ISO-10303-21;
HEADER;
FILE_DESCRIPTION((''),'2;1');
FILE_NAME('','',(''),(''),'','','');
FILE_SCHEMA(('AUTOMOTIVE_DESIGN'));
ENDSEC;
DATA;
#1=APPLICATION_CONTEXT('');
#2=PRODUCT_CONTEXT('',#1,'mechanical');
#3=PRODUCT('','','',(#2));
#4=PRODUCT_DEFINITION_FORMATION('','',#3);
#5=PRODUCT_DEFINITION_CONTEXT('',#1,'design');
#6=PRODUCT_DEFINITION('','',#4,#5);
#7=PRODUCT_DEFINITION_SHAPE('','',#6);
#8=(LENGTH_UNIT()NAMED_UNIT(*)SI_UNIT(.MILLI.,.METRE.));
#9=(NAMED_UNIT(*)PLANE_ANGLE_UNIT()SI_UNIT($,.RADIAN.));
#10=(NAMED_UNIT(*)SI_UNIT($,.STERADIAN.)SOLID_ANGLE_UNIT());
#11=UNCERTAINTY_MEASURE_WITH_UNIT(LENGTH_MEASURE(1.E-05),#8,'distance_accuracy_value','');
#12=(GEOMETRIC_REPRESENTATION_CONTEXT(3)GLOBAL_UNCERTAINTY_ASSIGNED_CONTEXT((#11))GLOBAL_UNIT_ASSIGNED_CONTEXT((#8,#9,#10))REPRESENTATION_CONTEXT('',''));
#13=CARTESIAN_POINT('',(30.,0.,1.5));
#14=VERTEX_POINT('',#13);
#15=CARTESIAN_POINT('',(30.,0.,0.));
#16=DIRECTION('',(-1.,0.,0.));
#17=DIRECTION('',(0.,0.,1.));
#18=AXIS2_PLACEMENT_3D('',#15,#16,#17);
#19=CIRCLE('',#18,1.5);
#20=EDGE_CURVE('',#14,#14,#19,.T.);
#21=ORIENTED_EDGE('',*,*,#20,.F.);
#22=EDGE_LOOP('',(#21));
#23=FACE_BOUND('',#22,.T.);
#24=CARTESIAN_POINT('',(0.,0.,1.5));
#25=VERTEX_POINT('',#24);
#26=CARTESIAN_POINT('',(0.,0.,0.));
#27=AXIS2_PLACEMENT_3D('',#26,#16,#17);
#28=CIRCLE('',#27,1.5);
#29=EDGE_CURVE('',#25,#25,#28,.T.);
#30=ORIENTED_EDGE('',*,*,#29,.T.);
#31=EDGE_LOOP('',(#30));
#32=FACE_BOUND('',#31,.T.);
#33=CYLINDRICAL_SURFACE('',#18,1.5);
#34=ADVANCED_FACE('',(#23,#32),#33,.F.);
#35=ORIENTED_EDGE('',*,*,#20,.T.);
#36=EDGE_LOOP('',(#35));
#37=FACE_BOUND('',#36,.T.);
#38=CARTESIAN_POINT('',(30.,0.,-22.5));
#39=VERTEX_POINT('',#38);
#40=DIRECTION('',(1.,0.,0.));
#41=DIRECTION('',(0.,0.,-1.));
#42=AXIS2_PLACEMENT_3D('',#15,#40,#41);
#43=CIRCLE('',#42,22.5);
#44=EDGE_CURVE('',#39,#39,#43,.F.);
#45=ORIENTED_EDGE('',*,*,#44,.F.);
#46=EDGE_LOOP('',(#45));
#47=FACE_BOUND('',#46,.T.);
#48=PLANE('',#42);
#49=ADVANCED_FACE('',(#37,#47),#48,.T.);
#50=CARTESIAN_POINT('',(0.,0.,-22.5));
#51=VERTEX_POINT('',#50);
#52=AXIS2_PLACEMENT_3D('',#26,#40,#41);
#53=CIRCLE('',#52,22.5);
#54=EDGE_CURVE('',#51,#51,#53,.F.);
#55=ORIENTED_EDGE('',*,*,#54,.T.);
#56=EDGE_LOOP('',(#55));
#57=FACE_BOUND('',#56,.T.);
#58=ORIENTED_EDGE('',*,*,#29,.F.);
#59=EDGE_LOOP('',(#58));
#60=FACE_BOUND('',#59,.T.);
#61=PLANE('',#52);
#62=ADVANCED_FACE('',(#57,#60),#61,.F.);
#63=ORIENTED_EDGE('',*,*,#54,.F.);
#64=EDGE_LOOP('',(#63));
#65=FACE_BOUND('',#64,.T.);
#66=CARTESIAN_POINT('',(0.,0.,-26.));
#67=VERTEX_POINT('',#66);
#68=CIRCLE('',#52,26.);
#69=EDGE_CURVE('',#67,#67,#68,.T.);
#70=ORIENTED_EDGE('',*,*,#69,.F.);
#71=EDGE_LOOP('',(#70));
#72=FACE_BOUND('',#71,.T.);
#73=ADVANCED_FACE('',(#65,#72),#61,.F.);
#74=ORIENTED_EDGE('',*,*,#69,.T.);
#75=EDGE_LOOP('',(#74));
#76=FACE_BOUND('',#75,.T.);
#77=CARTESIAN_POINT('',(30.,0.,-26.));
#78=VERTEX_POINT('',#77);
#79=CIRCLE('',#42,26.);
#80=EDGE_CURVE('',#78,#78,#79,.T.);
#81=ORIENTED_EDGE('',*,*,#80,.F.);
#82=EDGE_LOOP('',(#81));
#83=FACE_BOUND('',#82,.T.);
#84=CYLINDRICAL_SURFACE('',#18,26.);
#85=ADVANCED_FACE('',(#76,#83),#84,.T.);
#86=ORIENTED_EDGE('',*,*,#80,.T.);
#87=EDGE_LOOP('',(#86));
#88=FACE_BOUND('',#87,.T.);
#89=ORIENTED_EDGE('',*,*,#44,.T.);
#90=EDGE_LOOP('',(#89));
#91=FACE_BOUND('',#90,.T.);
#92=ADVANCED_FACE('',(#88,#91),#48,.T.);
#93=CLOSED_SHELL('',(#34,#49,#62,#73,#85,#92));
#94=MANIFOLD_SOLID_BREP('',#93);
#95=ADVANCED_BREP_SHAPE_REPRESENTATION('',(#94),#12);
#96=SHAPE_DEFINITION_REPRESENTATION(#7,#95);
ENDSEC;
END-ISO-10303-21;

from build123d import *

# Parameters (mm, degrees)
SKETCH1_R           = 26
BOSS_EXTRUDE1_DEPTH = 30
SKETCH2_R           = 1.5
CUT_EXTRUDE1_DEPTH  = 48.455242071


with BuildPart() as part:
    # Sketch1 → Boss-Extrude1 (new body)
    with BuildSketch(Plane(origin=(0, 0, 0), x_dir=(0, 0, -1), z_dir=(1, 0, 0))):
        Circle(SKETCH1_R)
    extrude(amount=BOSS_EXTRUDE1_DEPTH)

    # Sketch2 → Cut-Extrude1 (cut, through all)
    with BuildSketch(Plane.ZY):
        Circle(SKETCH2_R)
    extrude(amount=-CUT_EXTRUDE1_DEPTH, mode=Mode.SUBTRACT)


solid = part.part
